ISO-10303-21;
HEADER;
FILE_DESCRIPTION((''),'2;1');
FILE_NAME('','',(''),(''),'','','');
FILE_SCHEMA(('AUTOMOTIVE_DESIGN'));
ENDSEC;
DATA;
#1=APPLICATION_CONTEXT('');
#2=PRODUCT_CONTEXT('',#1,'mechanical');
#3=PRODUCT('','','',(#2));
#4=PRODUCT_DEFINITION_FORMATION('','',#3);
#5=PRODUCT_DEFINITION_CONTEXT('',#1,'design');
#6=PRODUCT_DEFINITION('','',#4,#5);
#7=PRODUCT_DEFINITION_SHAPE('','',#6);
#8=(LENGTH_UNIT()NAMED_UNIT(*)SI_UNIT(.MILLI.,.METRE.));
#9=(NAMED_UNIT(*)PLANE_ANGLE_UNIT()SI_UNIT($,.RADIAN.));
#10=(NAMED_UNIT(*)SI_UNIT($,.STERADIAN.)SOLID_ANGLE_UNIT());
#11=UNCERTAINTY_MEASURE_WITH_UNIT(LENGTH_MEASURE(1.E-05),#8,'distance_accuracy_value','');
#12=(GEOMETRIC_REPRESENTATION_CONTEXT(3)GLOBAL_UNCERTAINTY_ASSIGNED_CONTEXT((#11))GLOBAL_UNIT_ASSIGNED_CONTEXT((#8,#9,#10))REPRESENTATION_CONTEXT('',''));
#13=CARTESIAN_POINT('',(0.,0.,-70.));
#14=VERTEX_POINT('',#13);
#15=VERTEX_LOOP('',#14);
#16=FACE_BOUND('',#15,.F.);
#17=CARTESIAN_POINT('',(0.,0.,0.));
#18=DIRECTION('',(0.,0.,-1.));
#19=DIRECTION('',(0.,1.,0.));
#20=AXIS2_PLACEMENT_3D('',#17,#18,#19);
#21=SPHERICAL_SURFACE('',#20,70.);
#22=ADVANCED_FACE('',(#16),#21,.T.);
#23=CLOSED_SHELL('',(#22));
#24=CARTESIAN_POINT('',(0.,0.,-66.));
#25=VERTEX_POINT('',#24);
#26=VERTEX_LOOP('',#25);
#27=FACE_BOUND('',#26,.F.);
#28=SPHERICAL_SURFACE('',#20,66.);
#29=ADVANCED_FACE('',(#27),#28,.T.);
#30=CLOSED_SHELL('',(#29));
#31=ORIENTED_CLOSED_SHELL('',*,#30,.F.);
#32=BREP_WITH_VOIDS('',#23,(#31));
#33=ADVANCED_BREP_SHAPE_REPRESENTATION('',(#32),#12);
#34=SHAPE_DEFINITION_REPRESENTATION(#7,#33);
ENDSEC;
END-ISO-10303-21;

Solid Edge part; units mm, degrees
sketch "Sketch1" plane through (0, 0, 0) normal (1, 0, 0) x (0, 1, 0)
  arc A0 (0, 66) -> (0, -66) centre (0, 0) cw
  line L0 (0, -66) -> (0, -70)
  arc A1 (0, 70) -> (0, -70) centre (0, 0) cw
  line L1 (0, 66) -> (0, 70)
revolve "RevolvedProtrusion1" add sketch "Sketch1" angle 360 about axis through (0, 0, 66) along (0, 0, 1)
properties material "Aluminium, 1060"
